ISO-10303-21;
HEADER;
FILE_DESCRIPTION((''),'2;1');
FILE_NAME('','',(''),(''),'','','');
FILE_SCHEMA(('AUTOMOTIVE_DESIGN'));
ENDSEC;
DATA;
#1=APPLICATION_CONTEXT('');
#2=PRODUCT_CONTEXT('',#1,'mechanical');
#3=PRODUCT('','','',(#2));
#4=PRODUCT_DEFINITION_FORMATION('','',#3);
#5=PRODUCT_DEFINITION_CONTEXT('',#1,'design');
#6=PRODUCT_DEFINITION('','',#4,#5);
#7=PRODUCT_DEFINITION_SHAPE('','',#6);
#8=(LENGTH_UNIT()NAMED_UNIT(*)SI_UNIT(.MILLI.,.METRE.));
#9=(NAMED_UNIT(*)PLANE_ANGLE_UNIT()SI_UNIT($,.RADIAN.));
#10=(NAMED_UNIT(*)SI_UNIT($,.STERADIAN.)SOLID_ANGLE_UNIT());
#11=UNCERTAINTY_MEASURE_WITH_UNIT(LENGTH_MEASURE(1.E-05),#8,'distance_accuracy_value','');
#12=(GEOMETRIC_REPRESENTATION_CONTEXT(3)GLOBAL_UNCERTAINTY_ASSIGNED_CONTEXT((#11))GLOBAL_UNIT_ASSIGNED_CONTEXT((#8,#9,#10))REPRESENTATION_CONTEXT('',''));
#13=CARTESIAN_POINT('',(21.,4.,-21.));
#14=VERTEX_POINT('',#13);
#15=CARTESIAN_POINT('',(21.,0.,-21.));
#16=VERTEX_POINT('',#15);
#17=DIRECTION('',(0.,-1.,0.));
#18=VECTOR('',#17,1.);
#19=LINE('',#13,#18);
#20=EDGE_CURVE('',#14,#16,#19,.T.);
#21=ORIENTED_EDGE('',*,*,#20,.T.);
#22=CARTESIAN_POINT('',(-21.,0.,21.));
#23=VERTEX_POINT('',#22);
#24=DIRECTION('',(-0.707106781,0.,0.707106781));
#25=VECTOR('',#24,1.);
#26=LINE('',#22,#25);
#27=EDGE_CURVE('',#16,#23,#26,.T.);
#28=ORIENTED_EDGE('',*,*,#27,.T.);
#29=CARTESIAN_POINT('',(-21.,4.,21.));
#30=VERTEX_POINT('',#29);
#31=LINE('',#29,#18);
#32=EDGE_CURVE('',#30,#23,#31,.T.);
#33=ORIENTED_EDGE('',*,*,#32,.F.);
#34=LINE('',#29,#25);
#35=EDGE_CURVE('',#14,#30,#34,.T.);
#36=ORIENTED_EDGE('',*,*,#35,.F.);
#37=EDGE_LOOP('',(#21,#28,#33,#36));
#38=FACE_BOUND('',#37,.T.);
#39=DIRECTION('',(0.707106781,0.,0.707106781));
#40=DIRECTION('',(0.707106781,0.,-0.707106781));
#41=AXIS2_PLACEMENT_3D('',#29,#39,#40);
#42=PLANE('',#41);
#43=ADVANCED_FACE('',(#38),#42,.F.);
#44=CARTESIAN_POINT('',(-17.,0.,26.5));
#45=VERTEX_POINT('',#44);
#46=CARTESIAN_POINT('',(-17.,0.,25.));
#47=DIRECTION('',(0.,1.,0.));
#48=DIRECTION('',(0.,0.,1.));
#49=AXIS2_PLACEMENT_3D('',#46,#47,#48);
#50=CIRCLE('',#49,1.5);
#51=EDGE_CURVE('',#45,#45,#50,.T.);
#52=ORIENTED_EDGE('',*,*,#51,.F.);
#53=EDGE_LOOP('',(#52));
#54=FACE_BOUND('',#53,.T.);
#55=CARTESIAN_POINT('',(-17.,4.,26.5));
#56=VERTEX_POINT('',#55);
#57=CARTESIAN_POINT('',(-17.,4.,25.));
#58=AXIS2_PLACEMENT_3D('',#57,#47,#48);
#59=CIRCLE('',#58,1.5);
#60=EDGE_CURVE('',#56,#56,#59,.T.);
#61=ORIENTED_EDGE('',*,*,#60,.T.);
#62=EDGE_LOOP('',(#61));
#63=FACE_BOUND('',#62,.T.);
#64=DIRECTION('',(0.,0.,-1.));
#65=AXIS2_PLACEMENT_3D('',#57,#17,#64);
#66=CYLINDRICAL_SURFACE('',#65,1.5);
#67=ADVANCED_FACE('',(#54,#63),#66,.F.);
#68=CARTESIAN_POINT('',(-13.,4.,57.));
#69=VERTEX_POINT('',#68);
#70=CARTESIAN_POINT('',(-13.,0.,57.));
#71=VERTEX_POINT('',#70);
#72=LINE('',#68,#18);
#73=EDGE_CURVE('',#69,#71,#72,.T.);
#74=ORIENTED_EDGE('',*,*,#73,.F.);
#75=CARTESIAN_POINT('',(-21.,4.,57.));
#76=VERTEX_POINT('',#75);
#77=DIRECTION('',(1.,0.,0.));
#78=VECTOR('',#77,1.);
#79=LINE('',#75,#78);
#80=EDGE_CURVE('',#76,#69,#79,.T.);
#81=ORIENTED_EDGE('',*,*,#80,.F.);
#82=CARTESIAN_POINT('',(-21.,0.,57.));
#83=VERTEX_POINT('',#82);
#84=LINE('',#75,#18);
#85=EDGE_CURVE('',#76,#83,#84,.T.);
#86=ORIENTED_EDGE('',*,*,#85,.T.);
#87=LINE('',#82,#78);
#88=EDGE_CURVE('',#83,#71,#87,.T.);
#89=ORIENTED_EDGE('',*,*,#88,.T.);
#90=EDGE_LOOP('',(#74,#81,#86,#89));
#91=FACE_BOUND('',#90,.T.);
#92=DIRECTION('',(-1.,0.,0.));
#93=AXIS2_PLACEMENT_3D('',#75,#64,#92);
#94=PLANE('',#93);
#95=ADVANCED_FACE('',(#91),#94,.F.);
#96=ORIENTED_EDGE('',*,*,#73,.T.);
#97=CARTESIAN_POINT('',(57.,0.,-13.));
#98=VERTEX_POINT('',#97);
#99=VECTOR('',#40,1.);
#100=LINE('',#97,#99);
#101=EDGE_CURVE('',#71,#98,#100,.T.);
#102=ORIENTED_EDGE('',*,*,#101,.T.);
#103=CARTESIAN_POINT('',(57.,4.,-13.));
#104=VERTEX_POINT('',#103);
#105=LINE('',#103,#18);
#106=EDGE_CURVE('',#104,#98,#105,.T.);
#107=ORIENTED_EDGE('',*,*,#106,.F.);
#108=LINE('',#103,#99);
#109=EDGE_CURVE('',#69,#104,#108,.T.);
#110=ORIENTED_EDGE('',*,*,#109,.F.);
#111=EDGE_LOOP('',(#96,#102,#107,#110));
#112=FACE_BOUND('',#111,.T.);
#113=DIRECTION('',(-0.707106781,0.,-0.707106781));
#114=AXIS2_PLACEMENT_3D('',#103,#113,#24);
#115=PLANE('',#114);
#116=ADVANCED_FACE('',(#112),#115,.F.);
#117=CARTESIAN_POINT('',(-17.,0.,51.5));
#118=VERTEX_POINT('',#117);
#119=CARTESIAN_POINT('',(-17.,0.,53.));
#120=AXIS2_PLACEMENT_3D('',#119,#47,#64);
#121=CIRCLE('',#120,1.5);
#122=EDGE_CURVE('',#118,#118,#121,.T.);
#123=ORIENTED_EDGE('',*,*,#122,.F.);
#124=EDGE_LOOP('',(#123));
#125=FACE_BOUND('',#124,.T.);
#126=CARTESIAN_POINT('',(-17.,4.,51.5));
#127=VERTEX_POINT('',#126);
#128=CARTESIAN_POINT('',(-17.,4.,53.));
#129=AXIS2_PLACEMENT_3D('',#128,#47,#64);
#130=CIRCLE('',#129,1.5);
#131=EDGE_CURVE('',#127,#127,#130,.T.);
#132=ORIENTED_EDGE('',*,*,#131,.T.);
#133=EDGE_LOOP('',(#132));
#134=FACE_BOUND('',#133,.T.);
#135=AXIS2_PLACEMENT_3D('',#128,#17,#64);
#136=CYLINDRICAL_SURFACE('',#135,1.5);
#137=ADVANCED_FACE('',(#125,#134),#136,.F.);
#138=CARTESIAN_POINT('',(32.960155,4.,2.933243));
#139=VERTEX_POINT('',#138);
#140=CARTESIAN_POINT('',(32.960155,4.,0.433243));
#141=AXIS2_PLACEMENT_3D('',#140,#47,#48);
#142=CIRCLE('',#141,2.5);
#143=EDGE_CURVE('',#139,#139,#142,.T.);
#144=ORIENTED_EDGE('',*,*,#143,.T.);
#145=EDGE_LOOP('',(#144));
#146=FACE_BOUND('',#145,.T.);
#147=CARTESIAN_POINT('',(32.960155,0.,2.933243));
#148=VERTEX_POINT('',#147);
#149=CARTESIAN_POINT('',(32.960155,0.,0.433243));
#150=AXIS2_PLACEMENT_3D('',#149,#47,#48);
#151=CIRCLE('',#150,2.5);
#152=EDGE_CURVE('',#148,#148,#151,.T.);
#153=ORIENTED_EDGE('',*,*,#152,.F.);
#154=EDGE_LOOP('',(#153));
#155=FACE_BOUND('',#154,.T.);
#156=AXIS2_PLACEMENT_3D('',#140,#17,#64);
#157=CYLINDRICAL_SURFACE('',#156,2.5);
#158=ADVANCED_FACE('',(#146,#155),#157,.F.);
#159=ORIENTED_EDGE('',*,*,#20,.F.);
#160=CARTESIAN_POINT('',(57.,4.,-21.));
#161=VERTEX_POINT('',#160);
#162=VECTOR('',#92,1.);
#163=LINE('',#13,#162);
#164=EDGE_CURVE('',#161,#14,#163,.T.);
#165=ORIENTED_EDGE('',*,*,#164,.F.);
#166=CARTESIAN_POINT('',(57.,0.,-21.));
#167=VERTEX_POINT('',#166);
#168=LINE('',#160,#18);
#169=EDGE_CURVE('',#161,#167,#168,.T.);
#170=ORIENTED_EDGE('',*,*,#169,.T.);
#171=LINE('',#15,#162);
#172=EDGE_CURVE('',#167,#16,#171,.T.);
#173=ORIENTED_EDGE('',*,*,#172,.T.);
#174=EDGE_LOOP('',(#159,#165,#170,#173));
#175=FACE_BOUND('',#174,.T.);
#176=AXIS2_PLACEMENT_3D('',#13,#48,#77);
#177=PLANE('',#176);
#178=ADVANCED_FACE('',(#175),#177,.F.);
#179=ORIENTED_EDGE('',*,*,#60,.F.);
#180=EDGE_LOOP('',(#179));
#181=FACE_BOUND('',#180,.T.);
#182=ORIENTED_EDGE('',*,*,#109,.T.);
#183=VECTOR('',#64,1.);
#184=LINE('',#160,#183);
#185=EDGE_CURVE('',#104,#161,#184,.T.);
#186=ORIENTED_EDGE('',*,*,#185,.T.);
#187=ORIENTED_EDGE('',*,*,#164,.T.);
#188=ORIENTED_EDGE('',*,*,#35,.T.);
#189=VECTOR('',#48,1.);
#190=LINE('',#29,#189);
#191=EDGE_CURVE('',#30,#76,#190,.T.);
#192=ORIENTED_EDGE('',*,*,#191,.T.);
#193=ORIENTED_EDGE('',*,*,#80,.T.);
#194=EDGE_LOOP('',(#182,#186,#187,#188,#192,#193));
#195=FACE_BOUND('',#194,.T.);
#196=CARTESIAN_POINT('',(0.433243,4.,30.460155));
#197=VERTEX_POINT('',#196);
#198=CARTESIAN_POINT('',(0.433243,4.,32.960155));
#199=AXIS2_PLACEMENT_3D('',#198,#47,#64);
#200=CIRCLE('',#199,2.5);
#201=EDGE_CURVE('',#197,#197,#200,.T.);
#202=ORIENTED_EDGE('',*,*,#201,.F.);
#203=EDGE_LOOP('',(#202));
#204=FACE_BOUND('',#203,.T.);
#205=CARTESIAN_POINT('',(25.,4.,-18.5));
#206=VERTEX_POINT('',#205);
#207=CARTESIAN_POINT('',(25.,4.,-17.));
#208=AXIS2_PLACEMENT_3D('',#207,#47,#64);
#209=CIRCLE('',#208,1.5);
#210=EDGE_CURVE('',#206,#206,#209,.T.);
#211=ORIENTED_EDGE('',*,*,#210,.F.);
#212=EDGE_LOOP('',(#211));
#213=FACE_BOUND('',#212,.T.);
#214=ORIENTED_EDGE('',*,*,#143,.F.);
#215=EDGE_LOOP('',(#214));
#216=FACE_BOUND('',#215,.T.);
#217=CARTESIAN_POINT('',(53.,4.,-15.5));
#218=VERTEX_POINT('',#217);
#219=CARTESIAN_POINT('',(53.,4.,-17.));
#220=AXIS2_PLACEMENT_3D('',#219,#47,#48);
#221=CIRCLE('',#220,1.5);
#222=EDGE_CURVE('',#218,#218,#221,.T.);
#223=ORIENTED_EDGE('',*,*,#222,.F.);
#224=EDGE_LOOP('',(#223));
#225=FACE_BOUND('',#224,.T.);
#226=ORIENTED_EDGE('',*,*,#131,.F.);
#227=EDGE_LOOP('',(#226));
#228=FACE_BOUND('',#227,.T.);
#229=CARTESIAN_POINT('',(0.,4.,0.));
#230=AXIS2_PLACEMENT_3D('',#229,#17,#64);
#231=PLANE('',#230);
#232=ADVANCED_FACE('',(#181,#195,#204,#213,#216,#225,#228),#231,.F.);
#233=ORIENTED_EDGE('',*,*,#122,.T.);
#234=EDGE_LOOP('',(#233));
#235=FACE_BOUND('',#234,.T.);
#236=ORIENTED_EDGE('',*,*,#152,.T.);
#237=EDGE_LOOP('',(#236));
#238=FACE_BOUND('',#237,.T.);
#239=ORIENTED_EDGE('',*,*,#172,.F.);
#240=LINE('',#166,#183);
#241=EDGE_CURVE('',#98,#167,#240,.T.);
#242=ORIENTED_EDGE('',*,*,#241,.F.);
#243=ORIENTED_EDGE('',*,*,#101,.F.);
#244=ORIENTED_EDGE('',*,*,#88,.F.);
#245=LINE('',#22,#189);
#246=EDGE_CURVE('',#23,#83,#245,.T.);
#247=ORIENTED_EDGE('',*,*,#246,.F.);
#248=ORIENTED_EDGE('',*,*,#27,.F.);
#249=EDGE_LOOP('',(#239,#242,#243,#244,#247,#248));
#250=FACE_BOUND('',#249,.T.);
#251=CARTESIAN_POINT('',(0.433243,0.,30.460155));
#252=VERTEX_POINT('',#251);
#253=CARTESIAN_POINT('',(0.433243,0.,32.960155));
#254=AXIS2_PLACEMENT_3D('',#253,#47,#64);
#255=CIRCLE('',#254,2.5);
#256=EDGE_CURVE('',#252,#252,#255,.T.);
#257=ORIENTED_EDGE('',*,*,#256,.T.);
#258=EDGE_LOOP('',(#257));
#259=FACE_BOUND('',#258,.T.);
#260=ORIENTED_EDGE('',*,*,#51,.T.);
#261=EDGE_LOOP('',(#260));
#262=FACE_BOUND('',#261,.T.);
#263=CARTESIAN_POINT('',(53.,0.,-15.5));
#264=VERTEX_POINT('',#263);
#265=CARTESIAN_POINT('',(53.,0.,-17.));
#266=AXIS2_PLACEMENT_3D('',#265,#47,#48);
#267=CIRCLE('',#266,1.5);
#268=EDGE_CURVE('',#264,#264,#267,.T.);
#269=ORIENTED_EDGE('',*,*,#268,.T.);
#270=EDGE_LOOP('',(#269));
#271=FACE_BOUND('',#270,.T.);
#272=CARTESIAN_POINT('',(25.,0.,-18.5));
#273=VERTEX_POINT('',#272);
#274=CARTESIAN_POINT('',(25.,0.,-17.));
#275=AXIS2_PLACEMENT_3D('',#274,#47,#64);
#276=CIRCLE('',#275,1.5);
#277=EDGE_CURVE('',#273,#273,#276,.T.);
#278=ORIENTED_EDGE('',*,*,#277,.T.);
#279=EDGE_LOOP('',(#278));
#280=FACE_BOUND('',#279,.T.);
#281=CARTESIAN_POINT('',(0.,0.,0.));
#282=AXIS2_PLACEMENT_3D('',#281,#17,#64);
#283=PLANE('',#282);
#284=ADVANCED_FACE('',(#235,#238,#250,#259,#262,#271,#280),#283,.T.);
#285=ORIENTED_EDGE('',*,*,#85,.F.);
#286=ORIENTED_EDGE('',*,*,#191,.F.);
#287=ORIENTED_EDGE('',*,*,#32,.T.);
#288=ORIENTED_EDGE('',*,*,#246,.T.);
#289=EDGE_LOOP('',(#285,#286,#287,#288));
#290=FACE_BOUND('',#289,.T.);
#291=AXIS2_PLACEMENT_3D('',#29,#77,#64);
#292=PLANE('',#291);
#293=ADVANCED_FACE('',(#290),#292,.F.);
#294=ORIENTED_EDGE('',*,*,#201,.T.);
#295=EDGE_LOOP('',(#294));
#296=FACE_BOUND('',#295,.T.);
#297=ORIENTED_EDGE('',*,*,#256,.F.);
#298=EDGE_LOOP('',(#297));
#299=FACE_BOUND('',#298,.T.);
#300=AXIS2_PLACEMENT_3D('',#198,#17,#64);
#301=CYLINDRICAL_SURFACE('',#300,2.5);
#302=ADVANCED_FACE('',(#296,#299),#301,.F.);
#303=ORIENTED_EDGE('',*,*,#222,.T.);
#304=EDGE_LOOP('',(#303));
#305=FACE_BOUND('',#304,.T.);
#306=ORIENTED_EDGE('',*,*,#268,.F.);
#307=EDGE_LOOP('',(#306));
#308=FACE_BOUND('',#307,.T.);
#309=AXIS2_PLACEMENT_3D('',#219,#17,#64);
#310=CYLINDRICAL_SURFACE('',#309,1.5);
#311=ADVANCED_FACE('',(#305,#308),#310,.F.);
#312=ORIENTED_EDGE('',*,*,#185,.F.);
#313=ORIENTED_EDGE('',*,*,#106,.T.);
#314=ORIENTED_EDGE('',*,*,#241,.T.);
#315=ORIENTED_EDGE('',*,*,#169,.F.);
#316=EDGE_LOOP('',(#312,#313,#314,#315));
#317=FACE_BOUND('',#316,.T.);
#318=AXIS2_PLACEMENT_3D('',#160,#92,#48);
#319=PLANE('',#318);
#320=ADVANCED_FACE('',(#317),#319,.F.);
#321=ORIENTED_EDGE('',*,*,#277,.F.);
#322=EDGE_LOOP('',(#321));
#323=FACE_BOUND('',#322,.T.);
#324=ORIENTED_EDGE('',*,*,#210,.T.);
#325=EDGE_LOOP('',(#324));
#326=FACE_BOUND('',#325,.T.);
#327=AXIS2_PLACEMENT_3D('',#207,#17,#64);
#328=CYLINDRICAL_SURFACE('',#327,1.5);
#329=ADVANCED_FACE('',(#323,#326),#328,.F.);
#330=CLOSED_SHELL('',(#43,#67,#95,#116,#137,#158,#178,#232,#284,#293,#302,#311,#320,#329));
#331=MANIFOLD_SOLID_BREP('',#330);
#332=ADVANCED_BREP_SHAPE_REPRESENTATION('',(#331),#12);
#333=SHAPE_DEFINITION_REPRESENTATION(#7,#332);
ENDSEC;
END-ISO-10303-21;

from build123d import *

# Parameters (mm, degrees)
SKETCH_1_R      = 1.5
SKETCH_1_R_2    = 2.5
EXTRUDE_1_DEPTH = 4


with BuildPart() as part:
    # 草图1 → 凸台-拉伸1 (new body)
    with BuildSketch(Plane(origin=(0, 0, 0), x_dir=(1, 0, 0), z_dir=(0, 1, 0))):
        Polygon((-21, -21), (21, 21), (57, 21), (57, 13), (-13, -57), (-21, -57), align=None)
        with Locations((53, 17)):
            Circle(SKETCH_1_R, mode=Mode.SUBTRACT)
        with Locations((25, 17)):
            Circle(SKETCH_1_R, mode=Mode.SUBTRACT)
        with Locations((-17, -53)):
            Circle(SKETCH_1_R, mode=Mode.SUBTRACT)
        with Locations((-17, -25)):
            Circle(SKETCH_1_R, mode=Mode.SUBTRACT)
        with Locations((32.960155108, -0.433243174)):
            Circle(SKETCH_1_R_2, mode=Mode.SUBTRACT)
        with Locations((0.433243174, -32.960155108)):
            Circle(SKETCH_1_R_2, mode=Mode.SUBTRACT)
    extrude(amount=EXTRUDE_1_DEPTH)


solid = part.part
